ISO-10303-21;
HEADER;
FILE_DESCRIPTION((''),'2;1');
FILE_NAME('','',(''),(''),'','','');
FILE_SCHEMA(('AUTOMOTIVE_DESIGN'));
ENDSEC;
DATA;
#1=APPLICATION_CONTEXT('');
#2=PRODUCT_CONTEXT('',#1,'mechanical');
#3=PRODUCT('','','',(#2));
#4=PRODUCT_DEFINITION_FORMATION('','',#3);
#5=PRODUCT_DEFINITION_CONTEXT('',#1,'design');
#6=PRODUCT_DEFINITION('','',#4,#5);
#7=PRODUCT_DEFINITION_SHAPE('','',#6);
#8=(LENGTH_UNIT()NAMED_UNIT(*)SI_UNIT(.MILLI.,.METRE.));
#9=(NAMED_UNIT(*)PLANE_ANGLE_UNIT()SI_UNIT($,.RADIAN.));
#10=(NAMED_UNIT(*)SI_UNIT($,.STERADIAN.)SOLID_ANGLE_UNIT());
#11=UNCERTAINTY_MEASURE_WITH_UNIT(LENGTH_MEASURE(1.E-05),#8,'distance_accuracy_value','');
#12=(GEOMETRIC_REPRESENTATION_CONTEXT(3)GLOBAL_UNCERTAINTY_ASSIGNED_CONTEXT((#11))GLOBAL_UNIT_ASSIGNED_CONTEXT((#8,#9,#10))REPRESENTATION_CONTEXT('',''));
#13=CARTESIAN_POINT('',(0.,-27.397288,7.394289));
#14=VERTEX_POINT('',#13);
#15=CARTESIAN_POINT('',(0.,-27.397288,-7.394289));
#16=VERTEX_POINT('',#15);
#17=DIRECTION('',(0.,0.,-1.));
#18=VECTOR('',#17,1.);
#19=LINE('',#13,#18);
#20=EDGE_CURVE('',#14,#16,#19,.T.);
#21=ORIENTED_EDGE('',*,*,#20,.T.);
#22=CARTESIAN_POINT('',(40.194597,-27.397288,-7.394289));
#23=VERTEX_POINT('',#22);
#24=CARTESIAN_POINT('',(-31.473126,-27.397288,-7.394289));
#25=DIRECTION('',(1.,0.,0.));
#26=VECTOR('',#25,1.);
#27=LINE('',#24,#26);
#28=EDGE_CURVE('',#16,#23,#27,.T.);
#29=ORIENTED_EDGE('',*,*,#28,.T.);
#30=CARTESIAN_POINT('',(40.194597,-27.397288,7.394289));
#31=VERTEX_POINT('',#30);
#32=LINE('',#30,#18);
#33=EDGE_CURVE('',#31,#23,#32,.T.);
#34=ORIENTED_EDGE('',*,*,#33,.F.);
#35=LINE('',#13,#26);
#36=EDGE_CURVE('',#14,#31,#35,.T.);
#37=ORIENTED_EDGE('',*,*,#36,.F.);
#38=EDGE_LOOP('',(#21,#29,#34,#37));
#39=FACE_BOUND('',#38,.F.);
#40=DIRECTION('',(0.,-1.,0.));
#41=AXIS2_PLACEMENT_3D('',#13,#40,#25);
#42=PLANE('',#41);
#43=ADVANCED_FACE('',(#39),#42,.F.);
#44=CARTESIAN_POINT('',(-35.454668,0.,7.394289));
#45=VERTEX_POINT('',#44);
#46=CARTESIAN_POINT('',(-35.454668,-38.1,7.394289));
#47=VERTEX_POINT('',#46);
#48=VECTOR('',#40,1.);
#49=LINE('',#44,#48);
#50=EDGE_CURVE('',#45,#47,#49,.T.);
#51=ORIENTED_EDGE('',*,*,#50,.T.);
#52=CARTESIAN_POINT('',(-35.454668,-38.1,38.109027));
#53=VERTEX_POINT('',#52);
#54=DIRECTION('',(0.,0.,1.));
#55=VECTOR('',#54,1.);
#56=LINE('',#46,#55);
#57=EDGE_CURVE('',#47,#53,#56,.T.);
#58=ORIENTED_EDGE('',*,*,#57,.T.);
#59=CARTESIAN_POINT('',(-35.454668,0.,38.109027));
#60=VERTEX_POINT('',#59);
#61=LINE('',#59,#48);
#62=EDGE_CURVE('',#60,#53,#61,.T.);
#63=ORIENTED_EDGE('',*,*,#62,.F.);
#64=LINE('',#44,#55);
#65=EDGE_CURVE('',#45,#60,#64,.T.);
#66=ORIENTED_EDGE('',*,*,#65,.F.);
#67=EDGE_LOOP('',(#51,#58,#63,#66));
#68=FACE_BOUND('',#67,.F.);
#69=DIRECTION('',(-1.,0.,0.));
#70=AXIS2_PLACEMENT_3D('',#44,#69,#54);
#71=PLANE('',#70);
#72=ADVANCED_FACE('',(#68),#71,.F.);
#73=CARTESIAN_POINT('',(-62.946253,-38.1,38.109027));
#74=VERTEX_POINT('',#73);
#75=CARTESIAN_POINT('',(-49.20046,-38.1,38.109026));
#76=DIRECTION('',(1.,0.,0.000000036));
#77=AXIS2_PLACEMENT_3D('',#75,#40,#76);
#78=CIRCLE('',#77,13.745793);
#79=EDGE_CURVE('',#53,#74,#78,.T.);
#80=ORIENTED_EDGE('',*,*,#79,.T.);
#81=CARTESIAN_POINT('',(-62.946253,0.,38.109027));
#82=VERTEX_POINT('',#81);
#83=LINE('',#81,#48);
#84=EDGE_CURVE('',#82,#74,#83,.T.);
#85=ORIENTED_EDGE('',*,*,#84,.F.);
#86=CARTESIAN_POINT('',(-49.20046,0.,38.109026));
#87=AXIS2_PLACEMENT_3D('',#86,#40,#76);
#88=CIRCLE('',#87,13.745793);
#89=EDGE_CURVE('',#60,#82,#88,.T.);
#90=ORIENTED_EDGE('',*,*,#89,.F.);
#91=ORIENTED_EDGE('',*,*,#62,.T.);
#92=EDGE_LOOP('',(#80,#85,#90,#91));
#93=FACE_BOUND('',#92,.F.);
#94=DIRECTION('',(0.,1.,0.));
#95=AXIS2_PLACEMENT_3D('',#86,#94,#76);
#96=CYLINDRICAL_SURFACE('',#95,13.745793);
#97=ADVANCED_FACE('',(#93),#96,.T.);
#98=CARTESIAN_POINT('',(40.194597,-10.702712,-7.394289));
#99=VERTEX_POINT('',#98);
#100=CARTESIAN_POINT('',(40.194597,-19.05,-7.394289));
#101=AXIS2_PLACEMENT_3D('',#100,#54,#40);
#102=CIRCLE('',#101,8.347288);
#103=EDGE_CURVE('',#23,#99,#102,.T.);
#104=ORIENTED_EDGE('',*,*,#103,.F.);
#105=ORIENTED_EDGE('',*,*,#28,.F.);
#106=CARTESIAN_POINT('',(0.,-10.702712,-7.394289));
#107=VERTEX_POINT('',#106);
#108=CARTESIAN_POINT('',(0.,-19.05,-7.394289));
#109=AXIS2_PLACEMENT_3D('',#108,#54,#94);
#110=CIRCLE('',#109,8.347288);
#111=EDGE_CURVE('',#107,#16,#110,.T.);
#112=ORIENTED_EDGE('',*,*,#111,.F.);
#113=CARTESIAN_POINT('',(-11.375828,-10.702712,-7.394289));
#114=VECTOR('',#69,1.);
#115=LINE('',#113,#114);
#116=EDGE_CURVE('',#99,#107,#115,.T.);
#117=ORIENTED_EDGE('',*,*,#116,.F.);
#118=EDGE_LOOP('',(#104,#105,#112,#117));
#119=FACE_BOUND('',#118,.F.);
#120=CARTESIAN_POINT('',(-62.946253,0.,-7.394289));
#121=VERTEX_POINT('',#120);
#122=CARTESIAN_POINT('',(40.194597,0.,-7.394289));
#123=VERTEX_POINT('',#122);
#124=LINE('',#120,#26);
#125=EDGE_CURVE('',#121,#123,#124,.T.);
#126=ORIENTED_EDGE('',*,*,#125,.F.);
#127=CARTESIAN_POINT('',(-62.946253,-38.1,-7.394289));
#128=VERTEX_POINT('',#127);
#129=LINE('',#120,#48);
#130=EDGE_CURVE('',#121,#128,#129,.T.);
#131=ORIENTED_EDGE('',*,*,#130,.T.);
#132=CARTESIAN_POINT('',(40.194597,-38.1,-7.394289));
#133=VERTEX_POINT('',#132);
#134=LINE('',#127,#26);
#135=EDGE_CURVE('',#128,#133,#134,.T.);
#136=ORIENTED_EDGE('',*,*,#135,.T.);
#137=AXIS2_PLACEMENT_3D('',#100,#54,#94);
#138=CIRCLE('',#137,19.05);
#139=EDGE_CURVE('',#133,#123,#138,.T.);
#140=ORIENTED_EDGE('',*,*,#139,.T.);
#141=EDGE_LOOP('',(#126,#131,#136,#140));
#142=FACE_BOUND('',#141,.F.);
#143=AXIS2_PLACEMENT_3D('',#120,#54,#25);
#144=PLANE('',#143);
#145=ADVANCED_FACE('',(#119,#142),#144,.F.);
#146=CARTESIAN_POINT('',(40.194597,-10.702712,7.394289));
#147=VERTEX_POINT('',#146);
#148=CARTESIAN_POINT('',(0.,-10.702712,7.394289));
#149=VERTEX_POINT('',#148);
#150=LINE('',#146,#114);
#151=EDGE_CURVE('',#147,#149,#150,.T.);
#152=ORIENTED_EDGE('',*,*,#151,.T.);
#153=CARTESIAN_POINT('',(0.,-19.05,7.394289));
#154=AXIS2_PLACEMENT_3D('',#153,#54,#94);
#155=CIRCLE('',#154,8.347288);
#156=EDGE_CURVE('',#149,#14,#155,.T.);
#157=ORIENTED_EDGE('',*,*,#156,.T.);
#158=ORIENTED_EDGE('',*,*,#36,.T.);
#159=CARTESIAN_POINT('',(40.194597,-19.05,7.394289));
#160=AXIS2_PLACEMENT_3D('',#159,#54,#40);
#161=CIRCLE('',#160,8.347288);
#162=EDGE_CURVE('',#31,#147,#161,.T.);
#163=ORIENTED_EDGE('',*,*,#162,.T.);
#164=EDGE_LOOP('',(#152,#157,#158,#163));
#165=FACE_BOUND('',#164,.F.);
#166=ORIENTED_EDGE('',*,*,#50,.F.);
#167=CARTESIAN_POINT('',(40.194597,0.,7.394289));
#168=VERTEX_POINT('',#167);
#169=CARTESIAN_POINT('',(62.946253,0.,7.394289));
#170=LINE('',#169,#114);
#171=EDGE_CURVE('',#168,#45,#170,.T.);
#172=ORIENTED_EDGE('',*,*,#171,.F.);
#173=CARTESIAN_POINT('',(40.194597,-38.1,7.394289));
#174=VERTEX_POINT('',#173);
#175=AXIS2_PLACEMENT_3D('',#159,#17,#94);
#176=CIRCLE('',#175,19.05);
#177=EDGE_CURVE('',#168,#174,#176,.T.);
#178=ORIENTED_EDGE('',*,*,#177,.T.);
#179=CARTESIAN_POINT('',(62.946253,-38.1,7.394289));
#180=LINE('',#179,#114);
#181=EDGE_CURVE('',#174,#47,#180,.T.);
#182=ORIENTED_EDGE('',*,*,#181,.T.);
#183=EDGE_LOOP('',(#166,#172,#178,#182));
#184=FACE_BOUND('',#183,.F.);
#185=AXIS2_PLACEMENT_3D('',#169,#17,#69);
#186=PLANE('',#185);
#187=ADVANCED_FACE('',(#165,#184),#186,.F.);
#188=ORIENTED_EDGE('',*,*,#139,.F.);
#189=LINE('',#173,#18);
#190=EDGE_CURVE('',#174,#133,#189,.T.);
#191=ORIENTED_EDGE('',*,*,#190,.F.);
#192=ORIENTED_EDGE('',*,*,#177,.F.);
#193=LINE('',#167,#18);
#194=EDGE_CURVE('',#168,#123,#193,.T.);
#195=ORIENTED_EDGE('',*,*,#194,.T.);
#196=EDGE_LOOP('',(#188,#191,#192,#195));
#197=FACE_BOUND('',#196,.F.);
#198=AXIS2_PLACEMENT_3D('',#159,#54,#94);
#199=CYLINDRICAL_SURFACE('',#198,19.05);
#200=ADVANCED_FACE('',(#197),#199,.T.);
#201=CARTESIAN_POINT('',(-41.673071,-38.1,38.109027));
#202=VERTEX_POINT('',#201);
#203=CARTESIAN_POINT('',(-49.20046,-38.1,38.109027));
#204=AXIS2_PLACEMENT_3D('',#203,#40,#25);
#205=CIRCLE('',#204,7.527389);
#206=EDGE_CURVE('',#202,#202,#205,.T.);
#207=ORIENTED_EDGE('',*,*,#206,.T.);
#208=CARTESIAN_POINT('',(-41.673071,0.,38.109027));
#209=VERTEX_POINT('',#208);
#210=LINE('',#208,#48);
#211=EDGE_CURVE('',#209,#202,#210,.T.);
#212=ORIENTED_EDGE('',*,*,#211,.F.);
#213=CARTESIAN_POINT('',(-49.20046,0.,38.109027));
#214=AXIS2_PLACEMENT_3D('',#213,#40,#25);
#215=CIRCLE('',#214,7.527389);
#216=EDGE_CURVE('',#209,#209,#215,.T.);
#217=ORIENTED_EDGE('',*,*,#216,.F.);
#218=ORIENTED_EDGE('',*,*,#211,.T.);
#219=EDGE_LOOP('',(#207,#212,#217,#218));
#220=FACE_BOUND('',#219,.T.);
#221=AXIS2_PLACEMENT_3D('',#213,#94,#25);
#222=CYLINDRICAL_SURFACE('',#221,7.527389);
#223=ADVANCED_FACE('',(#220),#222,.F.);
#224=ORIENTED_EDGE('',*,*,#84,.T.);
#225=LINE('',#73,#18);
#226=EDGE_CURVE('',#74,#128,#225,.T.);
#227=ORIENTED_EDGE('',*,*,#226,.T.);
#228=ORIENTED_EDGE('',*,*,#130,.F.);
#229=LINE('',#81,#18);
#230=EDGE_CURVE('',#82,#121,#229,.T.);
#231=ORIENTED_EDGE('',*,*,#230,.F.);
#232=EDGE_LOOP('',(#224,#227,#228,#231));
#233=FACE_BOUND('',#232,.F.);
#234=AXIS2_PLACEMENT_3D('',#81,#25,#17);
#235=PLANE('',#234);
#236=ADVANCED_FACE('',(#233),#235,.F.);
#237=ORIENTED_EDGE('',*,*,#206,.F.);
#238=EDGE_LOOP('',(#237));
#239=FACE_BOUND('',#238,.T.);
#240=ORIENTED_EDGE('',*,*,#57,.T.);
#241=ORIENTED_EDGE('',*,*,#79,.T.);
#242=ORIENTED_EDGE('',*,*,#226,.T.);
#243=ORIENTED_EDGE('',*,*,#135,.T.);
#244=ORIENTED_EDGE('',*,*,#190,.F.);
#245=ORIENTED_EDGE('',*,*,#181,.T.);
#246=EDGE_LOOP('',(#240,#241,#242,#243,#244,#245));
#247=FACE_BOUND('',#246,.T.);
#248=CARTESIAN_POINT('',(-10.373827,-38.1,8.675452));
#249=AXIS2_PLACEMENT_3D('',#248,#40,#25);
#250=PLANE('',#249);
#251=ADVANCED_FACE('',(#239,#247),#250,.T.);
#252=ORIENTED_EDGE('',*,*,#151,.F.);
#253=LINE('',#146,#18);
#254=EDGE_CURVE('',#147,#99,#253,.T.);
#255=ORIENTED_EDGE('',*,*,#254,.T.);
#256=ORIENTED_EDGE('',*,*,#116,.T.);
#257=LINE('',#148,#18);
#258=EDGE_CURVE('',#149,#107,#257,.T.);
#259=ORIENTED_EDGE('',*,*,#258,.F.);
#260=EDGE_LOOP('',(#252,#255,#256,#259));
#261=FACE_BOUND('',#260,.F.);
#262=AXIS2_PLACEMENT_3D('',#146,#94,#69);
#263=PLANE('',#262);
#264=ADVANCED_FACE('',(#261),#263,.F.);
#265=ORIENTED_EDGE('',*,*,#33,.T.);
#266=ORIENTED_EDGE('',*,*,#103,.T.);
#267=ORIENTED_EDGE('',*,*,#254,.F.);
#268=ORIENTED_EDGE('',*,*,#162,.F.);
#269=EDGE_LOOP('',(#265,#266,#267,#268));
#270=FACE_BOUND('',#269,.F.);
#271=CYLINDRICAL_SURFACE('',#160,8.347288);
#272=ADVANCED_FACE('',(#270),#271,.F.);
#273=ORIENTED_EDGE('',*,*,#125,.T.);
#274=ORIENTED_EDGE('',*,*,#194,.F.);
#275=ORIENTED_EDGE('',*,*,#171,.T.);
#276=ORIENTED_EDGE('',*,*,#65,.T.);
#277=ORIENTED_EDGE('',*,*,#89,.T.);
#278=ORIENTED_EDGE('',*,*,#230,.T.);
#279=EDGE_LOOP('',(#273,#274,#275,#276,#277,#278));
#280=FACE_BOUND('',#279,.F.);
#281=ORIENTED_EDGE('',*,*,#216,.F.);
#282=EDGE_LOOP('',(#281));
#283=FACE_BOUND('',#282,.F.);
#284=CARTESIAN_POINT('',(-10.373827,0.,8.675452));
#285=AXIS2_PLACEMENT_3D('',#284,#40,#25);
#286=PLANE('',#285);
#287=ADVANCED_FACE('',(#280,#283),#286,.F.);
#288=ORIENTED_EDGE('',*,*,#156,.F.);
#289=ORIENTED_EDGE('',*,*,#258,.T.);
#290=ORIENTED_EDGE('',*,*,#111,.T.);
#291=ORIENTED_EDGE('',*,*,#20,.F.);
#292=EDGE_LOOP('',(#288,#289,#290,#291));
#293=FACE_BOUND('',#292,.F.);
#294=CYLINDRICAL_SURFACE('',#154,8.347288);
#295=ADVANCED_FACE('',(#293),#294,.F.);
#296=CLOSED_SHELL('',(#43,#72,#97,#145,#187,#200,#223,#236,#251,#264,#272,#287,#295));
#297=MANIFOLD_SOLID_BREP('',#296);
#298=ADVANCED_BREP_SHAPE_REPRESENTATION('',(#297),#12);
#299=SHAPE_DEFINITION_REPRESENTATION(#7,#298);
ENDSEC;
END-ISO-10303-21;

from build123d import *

# Parameters (mm, degrees)
F0_R     = 7.527389
F1_DEPTH = 38.1
F3_DEPTH = 14.789578
F4_DEPTH = 14.789578


with BuildPart() as f1:
    # F0 (on Front) → F1 (new body)
    with BuildSketch(Plane.XZ):
        with BuildLine():
            Line((-62.946253, -7.394289), (62.946253, -7.394289))
            Line((62.946253, -7.394289), (62.946253, 7.394289))
            Line((62.946253, 7.394289), (-35.454668, 7.394289))
            Line((-35.454668, 7.394289), (-35.454668, 38.109027))
            ThreePointArc((-35.454668, 38.109027), (-49.20046, 51.854819), (-62.946253, 38.109027))
            Line((-62.946253, 38.109027), (-62.946253, 7.394289))
            Line((-62.946253, 7.394289), (-62.946253, -7.394289))
        make_face()
        with Locations((-49.20046, 38.109027)):
            Circle(F0_R, mode=Mode.SUBTRACT)
    extrude(amount=F1_DEPTH)

    # F2 (on face) → F3 (cut, through all)
    with BuildSketch(Plane.XY.offset(7.394289)):
        with BuildLine():
            Line((0, -27.397288), (40.194597, -27.397288))
            ThreePointArc((40.194597, -27.397288), (48.541885, -19.05), (40.194597, -10.702712))
            Line((40.194597, -10.702712), (0, -10.702712))
            ThreePointArc((0, -10.702712), (-8.347288, -19.05), (0, -27.397288))
        make_face()
    extrude(amount=-F3_DEPTH, mode=Mode.SUBTRACT)

    # F2 (on face) → F4 (cut, through all)
    with BuildSketch(Plane.XY.offset(7.394289)):
        with BuildLine():
            Line((62.946253, 0), (40.194597, 0))
            ThreePointArc((40.194597, 0), (59.244597, -19.05), (40.194597, -38.1))
            Line((40.194597, -38.1), (62.946253, -38.1))
            Line((62.946253, -38.1), (62.946253, 0))
        make_face()
    extrude(amount=-F4_DEPTH, mode=Mode.SUBTRACT)


solid = f1.part
